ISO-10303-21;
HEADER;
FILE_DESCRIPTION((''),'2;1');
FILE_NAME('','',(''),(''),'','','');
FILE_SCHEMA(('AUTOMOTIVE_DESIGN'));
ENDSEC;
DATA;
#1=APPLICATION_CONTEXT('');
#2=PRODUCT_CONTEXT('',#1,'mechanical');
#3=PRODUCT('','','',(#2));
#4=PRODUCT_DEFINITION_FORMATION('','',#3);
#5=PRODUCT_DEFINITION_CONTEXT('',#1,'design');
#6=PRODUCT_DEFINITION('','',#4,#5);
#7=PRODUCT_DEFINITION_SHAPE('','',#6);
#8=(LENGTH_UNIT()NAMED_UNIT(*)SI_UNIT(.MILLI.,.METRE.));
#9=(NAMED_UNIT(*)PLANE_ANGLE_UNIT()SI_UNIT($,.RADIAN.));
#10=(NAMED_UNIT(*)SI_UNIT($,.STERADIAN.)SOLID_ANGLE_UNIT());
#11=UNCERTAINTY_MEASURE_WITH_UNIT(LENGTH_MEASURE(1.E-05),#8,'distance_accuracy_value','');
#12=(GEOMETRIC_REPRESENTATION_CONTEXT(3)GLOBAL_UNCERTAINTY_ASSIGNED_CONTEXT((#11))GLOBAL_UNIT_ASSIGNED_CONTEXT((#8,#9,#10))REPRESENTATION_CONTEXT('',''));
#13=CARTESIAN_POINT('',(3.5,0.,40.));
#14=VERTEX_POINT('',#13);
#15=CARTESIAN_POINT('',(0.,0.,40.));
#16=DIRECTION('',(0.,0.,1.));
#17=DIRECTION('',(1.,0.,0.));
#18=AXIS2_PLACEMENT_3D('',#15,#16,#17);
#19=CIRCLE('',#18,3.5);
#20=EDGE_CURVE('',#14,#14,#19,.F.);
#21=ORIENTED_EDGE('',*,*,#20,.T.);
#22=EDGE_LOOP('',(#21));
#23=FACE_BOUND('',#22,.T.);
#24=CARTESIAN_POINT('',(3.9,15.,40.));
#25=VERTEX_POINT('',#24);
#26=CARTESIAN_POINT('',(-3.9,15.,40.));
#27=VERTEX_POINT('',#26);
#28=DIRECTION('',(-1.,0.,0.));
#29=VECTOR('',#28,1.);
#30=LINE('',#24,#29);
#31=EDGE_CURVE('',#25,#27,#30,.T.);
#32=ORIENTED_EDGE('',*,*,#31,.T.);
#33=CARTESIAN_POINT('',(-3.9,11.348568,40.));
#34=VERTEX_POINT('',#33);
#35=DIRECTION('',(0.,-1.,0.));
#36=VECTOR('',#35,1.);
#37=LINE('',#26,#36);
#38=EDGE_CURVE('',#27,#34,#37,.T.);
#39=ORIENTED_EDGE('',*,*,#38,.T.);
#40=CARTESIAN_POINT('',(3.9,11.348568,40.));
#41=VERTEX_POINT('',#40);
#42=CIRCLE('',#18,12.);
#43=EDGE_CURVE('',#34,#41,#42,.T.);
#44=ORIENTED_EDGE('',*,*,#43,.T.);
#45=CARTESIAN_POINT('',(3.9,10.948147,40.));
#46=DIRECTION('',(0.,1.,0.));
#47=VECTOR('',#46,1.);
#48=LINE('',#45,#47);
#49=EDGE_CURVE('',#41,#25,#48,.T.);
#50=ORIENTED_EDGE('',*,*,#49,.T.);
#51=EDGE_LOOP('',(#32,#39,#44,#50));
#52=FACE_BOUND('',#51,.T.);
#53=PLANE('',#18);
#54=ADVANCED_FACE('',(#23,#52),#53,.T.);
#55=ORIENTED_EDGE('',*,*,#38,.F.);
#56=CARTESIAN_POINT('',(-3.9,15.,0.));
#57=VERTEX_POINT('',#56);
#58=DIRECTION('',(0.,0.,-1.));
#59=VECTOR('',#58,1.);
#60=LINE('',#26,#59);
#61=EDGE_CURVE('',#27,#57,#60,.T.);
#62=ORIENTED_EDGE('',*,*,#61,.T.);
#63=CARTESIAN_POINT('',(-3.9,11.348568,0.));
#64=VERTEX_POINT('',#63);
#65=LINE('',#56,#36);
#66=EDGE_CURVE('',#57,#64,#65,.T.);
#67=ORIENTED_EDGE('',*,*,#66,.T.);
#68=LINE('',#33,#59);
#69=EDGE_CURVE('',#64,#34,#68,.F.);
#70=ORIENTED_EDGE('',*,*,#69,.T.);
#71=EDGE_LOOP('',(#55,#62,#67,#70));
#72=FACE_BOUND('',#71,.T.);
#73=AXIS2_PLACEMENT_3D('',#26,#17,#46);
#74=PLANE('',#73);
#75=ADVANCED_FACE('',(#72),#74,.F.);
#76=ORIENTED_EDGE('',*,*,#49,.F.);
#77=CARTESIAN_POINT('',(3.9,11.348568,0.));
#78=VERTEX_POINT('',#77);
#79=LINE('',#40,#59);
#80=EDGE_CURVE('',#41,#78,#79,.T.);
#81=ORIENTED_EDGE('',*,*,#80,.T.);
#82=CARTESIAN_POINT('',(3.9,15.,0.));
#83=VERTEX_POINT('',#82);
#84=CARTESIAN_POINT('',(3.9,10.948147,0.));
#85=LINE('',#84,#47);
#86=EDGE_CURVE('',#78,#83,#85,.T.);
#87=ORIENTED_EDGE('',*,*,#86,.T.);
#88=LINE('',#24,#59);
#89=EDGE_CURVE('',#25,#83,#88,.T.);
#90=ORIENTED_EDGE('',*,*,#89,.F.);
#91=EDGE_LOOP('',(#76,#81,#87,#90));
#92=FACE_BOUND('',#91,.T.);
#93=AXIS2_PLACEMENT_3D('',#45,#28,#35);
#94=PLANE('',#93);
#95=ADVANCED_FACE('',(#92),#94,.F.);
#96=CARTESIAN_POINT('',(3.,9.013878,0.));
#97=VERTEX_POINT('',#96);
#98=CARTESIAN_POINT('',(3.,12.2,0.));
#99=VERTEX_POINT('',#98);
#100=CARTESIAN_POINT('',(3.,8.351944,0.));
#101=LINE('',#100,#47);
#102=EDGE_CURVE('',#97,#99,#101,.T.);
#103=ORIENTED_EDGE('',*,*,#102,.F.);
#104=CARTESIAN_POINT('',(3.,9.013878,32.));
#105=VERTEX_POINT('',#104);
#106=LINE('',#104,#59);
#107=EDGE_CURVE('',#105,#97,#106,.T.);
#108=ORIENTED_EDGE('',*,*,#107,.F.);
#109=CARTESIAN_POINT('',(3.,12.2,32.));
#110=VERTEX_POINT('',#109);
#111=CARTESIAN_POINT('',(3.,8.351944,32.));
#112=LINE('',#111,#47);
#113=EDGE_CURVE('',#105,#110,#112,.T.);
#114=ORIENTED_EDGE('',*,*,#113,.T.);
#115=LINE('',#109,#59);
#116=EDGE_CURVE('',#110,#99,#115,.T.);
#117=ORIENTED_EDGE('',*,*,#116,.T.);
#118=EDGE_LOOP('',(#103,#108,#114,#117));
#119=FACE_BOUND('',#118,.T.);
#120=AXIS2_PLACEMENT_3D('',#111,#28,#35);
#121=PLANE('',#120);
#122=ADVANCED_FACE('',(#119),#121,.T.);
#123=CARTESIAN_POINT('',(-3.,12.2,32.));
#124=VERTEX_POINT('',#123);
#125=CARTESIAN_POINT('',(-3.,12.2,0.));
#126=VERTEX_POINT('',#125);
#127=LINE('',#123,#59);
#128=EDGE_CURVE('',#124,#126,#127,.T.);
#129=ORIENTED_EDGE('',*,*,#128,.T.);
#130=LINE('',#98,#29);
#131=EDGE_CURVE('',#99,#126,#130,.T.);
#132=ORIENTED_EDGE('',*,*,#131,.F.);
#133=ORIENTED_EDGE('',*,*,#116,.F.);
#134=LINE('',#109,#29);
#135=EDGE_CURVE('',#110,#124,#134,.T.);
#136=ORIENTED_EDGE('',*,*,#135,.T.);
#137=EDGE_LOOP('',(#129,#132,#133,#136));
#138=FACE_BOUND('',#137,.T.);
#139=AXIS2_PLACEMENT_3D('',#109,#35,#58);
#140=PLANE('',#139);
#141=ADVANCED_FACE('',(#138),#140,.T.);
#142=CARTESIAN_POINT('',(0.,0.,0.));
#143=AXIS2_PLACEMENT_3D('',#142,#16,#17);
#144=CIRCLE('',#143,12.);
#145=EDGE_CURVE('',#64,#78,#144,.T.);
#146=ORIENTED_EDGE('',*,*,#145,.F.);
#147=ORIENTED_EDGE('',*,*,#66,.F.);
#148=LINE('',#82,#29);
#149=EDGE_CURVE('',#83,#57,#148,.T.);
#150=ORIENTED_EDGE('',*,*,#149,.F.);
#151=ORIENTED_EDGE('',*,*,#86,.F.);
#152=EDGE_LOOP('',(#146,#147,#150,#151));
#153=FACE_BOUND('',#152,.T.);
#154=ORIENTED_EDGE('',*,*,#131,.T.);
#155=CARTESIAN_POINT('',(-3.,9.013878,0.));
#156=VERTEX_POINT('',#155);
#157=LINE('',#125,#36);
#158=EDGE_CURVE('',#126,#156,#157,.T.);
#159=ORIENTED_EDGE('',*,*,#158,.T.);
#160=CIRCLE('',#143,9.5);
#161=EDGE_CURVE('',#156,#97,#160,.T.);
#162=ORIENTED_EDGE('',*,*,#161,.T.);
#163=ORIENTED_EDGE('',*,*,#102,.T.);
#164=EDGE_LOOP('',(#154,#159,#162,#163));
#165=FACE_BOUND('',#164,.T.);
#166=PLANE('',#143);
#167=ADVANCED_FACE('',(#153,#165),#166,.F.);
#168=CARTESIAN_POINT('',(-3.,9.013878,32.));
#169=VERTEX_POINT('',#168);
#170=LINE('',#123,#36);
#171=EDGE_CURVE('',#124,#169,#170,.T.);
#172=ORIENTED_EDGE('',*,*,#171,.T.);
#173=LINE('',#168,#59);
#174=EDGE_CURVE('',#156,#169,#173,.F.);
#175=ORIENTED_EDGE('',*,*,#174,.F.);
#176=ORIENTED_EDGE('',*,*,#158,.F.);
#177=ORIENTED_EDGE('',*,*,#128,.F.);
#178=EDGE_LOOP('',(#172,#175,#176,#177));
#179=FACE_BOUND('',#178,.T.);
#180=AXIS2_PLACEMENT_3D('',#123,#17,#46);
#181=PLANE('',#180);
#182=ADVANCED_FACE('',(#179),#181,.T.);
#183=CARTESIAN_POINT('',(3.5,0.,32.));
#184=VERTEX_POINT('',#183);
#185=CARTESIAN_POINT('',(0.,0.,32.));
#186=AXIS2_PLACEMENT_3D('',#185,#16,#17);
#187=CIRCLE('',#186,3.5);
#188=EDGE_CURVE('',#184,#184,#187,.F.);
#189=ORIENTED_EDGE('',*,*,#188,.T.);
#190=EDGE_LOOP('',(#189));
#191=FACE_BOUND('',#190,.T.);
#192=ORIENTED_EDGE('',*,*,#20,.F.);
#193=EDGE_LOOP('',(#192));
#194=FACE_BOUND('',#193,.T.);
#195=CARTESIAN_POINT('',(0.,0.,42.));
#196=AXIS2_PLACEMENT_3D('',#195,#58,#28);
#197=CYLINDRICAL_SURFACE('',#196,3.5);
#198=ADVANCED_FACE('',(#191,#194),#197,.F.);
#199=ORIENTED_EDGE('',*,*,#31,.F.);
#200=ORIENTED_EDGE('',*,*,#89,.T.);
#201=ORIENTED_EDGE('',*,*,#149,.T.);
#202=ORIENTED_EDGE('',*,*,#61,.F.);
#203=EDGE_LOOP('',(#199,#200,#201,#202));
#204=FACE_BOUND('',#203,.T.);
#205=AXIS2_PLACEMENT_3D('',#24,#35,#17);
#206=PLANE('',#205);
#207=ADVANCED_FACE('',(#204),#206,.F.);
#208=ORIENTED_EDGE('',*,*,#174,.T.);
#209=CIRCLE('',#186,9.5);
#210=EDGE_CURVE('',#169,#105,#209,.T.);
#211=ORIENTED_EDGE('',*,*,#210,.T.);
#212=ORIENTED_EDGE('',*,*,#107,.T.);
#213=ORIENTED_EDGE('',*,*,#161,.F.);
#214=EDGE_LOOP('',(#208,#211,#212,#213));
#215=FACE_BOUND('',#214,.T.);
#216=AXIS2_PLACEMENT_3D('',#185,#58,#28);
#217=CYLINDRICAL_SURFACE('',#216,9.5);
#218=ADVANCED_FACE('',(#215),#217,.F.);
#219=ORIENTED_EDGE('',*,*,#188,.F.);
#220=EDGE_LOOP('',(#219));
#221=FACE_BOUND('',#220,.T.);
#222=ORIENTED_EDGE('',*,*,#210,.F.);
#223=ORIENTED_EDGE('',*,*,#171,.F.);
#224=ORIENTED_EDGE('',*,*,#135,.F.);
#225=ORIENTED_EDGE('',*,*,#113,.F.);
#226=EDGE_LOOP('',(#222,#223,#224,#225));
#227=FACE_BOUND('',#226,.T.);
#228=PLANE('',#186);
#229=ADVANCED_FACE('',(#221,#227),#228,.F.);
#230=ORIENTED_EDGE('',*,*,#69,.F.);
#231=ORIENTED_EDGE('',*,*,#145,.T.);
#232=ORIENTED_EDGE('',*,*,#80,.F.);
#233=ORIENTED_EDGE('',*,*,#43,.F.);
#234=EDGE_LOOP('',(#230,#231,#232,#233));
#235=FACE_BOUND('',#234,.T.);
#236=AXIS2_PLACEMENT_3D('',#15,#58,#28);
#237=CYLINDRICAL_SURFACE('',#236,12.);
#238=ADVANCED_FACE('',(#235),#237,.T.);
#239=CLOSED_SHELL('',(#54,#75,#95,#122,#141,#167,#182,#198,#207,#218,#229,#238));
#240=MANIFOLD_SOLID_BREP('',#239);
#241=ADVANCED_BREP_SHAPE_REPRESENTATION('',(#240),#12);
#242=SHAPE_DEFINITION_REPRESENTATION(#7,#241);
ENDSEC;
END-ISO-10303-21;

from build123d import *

# Parameters (mm, degrees)
ESQUISSE2_R             = 12
BOSS_EXTRU_1_DEPTH      = 40
ESQUISSE3_W             = 7.8
ESQUISSE3_H             = 4.051853135
BOSS_EXTRU_3_DEPTH      = 40
ESQUISSE4_R             = 9.5
ENL_V_MAT_EXTRU_3_DEPTH = 32
ESQUISSE6_W             = 6
ESQUISSE6_H             = 3.848056491
ENL_V_MAT_EXTRU_4_DEPTH = 32
ESQUISSE7_R             = 3.5
ENL_V_MAT_EXTRU_5_DEPTH = 42


with BuildPart() as part:
    # Esquisse2 → Boss.-Extru.1 (new body)
    with BuildSketch(Plane.XY):
        Circle(ESQUISSE2_R)
    extrude(amount=BOSS_EXTRU_1_DEPTH)

    # Esquisse3 → Boss.-Extru.3 (add)
    with BuildSketch(Plane.XY):
        with Locations((0, 12.974073433)):
            Rectangle(ESQUISSE3_W, ESQUISSE3_H)
    extrude(amount=BOSS_EXTRU_3_DEPTH)

    # Esquisse4 → Enlèv. mat.-Extru.3 (cut)
    with BuildSketch(Plane.XY):
        Circle(ESQUISSE4_R)
    extrude(amount=ENL_V_MAT_EXTRU_3_DEPTH, mode=Mode.SUBTRACT)

    # Esquisse6 → Enlèv. mat.-Extru.4 (cut)
    with BuildSketch(Plane.XY):
        with Locations((0, 10.275971755)):
            Rectangle(ESQUISSE6_W, ESQUISSE6_H)
    extrude(amount=ENL_V_MAT_EXTRU_4_DEPTH, mode=Mode.SUBTRACT)

    # Esquisse7 → Enlèv. mat.-Extru.5 (cut)
    with BuildSketch(Plane.XY):
        Circle(ESQUISSE7_R)
    extrude(amount=ENL_V_MAT_EXTRU_5_DEPTH, mode=Mode.SUBTRACT)


solid = part.part
